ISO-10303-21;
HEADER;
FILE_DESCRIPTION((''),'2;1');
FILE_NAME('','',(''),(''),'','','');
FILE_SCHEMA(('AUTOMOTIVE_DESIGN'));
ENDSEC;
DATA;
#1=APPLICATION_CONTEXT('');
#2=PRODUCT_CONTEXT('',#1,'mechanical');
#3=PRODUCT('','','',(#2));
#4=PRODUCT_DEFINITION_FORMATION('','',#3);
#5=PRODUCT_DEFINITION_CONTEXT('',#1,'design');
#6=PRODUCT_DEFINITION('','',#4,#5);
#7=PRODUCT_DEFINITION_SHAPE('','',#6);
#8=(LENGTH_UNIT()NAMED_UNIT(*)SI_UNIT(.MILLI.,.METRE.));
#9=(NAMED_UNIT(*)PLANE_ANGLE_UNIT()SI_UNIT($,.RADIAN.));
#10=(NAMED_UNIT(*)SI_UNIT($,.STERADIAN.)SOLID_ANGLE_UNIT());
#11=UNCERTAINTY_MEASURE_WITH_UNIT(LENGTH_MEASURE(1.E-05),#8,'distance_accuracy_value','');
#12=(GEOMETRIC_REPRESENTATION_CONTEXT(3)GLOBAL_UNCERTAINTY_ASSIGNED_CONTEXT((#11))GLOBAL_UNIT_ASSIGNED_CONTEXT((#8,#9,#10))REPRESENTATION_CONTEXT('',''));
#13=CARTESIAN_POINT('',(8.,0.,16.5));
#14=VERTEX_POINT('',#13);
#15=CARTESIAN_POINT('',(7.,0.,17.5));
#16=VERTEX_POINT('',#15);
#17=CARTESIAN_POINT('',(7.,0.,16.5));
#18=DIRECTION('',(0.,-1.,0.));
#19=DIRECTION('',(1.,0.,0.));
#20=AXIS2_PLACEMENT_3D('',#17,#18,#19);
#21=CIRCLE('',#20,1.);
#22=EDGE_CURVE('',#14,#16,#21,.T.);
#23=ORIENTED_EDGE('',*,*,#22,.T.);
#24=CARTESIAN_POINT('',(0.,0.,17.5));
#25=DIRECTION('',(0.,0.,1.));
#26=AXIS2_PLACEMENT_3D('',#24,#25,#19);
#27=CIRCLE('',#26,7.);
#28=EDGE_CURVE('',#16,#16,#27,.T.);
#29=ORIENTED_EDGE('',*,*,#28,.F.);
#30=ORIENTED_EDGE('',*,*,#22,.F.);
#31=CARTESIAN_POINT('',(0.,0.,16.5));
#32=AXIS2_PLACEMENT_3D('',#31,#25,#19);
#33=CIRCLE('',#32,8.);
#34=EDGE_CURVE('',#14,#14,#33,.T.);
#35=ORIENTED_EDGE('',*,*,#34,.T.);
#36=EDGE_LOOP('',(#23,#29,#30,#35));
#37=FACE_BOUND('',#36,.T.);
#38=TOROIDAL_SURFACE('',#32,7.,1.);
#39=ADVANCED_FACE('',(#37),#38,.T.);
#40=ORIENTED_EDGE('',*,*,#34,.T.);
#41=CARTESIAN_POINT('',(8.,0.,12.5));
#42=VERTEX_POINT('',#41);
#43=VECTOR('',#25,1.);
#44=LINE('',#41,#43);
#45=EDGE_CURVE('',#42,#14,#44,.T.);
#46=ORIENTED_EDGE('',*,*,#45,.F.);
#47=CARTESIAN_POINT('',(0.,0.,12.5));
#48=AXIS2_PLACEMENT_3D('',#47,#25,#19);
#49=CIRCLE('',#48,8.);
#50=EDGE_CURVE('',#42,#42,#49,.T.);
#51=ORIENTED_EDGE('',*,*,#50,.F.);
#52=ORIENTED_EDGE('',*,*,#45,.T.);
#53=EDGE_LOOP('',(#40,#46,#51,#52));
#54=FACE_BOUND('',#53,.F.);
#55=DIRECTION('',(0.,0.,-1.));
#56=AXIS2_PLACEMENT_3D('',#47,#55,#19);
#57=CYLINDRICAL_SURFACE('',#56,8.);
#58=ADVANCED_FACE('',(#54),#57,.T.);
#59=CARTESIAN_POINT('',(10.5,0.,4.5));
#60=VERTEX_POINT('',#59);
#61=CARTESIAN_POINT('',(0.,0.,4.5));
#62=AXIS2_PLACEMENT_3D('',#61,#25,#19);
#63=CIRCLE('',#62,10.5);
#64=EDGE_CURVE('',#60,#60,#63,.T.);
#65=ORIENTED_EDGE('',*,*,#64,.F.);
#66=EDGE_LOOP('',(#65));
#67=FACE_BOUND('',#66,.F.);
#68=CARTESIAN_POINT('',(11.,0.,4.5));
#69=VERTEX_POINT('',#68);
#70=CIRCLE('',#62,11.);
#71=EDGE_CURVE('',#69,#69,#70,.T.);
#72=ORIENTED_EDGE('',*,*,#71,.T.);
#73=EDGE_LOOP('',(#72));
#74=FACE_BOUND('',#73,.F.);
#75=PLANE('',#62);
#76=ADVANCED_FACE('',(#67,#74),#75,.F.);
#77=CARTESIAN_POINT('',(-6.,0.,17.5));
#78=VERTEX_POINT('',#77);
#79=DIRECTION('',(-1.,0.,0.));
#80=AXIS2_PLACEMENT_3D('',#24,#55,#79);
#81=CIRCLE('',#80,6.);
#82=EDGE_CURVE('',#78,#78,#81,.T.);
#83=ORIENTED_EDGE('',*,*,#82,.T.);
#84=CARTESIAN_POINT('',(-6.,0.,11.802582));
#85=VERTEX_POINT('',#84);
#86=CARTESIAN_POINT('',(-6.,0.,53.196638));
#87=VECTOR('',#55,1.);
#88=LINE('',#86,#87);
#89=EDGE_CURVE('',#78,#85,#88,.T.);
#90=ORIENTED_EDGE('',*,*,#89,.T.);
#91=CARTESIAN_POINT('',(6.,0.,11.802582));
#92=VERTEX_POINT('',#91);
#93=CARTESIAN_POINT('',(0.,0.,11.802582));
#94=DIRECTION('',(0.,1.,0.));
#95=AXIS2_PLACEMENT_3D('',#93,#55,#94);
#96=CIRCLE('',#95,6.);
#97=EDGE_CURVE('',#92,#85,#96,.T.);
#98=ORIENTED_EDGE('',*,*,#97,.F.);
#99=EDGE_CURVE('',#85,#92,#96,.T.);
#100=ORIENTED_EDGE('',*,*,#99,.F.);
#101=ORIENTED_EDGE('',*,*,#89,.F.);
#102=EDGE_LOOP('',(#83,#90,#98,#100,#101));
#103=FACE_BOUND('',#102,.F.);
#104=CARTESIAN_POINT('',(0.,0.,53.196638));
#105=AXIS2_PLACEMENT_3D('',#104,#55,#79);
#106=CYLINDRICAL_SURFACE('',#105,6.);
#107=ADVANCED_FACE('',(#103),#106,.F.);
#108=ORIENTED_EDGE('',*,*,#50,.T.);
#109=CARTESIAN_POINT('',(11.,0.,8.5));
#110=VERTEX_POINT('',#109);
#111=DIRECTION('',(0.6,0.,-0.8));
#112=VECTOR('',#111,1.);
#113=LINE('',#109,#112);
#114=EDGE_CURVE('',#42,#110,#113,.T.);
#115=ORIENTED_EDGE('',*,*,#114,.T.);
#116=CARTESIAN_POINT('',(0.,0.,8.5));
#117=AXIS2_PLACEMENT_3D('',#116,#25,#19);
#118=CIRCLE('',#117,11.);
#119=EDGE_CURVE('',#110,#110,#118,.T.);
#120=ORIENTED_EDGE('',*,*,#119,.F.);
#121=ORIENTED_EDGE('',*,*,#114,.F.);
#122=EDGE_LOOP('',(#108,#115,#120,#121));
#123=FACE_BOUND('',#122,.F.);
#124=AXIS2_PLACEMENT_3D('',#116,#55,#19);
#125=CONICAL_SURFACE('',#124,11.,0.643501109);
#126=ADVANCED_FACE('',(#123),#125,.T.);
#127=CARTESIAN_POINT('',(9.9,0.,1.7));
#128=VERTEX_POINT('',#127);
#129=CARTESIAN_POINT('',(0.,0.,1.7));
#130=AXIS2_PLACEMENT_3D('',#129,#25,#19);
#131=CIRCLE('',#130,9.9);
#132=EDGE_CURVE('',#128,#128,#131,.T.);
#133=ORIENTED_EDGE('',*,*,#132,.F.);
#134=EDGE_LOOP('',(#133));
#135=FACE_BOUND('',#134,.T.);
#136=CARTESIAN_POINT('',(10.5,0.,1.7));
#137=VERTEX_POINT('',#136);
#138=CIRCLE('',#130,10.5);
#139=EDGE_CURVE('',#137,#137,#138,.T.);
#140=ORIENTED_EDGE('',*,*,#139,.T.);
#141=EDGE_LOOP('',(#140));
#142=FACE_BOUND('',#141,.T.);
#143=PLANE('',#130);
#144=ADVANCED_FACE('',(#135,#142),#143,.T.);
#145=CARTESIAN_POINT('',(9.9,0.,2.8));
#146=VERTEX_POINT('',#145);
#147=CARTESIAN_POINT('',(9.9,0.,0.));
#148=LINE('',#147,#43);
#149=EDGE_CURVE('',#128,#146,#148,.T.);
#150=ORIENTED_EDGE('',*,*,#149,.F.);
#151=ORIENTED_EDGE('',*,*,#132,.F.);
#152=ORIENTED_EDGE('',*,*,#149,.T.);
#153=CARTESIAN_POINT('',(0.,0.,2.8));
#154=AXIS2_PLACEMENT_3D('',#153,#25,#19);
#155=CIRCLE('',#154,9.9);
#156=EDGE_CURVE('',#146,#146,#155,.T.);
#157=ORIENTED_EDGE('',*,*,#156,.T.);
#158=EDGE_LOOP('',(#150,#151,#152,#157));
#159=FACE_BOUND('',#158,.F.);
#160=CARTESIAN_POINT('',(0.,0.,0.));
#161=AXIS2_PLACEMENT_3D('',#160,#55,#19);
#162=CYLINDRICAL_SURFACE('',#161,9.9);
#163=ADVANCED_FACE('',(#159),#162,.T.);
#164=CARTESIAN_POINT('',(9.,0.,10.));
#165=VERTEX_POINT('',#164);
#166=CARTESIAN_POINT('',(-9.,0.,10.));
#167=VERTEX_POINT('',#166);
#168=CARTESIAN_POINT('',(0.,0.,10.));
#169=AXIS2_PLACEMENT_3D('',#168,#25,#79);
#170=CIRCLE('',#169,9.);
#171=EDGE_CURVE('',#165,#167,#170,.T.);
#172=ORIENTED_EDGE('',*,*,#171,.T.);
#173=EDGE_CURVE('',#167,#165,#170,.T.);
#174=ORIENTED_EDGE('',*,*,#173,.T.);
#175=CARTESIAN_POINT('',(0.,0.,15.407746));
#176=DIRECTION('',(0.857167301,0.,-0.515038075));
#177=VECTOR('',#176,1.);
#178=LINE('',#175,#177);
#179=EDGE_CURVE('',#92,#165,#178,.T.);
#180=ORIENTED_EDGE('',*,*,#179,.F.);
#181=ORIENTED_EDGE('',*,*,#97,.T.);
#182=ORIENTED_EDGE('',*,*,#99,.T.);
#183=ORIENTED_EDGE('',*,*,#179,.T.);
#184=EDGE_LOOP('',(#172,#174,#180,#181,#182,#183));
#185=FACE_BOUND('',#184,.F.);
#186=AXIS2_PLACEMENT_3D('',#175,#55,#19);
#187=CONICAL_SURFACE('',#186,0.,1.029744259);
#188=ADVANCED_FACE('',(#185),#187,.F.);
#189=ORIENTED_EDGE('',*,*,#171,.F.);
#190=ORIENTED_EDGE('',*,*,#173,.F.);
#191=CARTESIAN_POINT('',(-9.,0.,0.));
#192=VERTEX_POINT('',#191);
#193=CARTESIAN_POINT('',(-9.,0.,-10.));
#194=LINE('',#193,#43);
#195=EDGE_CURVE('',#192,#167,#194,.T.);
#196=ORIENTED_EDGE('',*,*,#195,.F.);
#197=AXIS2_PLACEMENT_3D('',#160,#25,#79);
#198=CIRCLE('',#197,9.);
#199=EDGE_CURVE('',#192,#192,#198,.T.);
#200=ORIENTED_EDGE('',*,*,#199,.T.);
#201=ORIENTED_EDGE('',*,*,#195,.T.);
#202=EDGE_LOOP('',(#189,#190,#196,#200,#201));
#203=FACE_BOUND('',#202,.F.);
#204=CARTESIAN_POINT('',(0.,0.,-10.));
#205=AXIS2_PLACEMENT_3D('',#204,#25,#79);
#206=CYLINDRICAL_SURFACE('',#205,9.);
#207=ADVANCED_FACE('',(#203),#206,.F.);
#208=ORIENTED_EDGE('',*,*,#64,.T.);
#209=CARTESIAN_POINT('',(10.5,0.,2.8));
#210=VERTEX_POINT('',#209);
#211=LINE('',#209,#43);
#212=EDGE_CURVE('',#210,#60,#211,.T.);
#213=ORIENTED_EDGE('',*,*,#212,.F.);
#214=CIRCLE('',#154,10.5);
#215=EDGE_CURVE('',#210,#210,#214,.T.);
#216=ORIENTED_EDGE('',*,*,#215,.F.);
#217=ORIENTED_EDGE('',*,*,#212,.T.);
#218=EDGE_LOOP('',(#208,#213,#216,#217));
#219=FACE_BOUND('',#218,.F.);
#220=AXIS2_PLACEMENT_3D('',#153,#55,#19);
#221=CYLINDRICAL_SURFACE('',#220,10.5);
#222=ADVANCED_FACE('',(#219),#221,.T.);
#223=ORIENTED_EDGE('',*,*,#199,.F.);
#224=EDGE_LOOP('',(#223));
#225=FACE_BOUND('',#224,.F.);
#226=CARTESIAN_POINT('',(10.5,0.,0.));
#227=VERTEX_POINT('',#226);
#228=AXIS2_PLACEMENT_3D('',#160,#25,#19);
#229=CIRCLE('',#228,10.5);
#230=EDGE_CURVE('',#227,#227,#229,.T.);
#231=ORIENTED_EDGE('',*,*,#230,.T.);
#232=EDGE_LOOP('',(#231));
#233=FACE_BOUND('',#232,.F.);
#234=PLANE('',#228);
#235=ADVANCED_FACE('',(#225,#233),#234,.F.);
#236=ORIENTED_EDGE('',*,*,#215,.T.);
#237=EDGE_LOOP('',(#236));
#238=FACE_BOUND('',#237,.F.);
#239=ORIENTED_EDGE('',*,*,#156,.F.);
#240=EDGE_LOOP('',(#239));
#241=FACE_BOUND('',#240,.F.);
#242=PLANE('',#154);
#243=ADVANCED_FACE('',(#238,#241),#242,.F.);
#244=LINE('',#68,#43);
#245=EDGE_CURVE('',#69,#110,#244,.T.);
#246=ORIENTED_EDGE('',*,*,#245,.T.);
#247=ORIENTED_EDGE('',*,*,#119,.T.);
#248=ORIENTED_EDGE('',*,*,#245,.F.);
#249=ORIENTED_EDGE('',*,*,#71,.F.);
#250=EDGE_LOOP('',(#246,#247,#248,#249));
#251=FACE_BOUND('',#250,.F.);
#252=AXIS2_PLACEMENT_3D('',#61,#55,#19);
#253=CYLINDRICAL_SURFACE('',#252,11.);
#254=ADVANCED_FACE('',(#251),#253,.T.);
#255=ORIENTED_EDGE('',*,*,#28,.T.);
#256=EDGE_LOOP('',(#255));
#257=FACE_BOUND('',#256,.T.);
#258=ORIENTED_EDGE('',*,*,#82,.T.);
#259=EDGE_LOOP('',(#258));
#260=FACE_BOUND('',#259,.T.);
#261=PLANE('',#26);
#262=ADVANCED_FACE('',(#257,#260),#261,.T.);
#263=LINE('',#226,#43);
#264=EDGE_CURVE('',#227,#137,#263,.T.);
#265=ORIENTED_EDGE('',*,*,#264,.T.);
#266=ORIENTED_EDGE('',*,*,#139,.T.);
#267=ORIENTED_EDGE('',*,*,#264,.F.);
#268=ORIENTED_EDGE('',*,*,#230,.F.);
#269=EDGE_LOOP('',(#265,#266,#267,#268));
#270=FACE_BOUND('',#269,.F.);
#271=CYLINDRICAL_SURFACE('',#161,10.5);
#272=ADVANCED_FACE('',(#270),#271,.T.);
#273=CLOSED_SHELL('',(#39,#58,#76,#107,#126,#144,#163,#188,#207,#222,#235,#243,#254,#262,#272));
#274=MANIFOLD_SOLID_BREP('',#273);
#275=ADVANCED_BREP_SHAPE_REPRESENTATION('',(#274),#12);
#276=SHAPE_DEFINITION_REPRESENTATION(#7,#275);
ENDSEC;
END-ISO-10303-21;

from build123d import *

# Parameters (mm, degrees)
F0_R      = 10.5
F0_R_2    = 9.9
F1_DEPTH  = 1.7
F2_DEPTH  = 2.8
F3_R      = 10.5
F4_DEPTH  = 1.7
F5_R      = 11
F6_DEPTH  = 8
F7_SIZE2  = 4
F7_SIZE   = 3
F8_R      = 8
F9_DEPTH  = 5
F11_D     = 18
F11_DEPTH = 10
F11_TIP   = 5.4077455712
F13_D     = 12
F14_R     = 1


with BuildPart() as f1:
    # F0 (on Top) → F1 (new body)
    with BuildSketch(Plane.XY):
        Circle(F0_R)
        Circle(F0_R_2, mode=Mode.SUBTRACT)
    extrude(amount=F1_DEPTH)

    # F0 (on Top) → F2 (join)
    with BuildSketch(Plane.XY):
        Circle(F0_R_2)
    extrude(amount=F2_DEPTH)

    # F3 (on face) → F4 (join)
    with BuildSketch(Plane.XY.offset(2.8)):
        Circle(F3_R)
    extrude(amount=F4_DEPTH)

    # F5 (on face) → F6 (join)
    with BuildSketch(Plane.XY.offset(4.5)):
        Circle(F5_R)
    extrude(amount=F6_DEPTH)

    # F7
    f7_edges = [f1.edges().sort_by_distance(p)[0] for p in [
        (-11, 0, 12.5),
    ]]
    f7_side = f1.faces().sort_by_distance((0, 0, 12.5))[0]
    chamfer(f7_edges, length=F7_SIZE, length2=F7_SIZE2, reference=f7_side)

    # F8 (on face) → F9 (join)
    with BuildSketch(Plane.XY.offset(12.5)):
        Circle(F8_R)
    extrude(amount=F9_DEPTH)

    # F11
    with Locations(Plane(origin=(0, 0, 0), x_dir=(1, 0, 0), z_dir=(0, 0, -1))):
        with Locations((0, 0)):
            Hole(F11_D / 2, depth=F11_DEPTH)
            with Locations((0, 0, -(F11_DEPTH + F11_TIP / 2))):  # 118° drill point
                Cone(0, F11_D / 2, F11_TIP, mode=Mode.SUBTRACT)

    # F13 (through all)
    with Locations(Plane.XY.offset(17.5)):
        with Locations((0, 0)):
            Hole(F13_D / 2)

    # F14
    f14_edges = [f1.edges().sort_by_distance(p)[0] for p in [
        (-8, 0, 17.5),
    ]]
    fillet(f14_edges, radius=F14_R)


solid = f1.part
